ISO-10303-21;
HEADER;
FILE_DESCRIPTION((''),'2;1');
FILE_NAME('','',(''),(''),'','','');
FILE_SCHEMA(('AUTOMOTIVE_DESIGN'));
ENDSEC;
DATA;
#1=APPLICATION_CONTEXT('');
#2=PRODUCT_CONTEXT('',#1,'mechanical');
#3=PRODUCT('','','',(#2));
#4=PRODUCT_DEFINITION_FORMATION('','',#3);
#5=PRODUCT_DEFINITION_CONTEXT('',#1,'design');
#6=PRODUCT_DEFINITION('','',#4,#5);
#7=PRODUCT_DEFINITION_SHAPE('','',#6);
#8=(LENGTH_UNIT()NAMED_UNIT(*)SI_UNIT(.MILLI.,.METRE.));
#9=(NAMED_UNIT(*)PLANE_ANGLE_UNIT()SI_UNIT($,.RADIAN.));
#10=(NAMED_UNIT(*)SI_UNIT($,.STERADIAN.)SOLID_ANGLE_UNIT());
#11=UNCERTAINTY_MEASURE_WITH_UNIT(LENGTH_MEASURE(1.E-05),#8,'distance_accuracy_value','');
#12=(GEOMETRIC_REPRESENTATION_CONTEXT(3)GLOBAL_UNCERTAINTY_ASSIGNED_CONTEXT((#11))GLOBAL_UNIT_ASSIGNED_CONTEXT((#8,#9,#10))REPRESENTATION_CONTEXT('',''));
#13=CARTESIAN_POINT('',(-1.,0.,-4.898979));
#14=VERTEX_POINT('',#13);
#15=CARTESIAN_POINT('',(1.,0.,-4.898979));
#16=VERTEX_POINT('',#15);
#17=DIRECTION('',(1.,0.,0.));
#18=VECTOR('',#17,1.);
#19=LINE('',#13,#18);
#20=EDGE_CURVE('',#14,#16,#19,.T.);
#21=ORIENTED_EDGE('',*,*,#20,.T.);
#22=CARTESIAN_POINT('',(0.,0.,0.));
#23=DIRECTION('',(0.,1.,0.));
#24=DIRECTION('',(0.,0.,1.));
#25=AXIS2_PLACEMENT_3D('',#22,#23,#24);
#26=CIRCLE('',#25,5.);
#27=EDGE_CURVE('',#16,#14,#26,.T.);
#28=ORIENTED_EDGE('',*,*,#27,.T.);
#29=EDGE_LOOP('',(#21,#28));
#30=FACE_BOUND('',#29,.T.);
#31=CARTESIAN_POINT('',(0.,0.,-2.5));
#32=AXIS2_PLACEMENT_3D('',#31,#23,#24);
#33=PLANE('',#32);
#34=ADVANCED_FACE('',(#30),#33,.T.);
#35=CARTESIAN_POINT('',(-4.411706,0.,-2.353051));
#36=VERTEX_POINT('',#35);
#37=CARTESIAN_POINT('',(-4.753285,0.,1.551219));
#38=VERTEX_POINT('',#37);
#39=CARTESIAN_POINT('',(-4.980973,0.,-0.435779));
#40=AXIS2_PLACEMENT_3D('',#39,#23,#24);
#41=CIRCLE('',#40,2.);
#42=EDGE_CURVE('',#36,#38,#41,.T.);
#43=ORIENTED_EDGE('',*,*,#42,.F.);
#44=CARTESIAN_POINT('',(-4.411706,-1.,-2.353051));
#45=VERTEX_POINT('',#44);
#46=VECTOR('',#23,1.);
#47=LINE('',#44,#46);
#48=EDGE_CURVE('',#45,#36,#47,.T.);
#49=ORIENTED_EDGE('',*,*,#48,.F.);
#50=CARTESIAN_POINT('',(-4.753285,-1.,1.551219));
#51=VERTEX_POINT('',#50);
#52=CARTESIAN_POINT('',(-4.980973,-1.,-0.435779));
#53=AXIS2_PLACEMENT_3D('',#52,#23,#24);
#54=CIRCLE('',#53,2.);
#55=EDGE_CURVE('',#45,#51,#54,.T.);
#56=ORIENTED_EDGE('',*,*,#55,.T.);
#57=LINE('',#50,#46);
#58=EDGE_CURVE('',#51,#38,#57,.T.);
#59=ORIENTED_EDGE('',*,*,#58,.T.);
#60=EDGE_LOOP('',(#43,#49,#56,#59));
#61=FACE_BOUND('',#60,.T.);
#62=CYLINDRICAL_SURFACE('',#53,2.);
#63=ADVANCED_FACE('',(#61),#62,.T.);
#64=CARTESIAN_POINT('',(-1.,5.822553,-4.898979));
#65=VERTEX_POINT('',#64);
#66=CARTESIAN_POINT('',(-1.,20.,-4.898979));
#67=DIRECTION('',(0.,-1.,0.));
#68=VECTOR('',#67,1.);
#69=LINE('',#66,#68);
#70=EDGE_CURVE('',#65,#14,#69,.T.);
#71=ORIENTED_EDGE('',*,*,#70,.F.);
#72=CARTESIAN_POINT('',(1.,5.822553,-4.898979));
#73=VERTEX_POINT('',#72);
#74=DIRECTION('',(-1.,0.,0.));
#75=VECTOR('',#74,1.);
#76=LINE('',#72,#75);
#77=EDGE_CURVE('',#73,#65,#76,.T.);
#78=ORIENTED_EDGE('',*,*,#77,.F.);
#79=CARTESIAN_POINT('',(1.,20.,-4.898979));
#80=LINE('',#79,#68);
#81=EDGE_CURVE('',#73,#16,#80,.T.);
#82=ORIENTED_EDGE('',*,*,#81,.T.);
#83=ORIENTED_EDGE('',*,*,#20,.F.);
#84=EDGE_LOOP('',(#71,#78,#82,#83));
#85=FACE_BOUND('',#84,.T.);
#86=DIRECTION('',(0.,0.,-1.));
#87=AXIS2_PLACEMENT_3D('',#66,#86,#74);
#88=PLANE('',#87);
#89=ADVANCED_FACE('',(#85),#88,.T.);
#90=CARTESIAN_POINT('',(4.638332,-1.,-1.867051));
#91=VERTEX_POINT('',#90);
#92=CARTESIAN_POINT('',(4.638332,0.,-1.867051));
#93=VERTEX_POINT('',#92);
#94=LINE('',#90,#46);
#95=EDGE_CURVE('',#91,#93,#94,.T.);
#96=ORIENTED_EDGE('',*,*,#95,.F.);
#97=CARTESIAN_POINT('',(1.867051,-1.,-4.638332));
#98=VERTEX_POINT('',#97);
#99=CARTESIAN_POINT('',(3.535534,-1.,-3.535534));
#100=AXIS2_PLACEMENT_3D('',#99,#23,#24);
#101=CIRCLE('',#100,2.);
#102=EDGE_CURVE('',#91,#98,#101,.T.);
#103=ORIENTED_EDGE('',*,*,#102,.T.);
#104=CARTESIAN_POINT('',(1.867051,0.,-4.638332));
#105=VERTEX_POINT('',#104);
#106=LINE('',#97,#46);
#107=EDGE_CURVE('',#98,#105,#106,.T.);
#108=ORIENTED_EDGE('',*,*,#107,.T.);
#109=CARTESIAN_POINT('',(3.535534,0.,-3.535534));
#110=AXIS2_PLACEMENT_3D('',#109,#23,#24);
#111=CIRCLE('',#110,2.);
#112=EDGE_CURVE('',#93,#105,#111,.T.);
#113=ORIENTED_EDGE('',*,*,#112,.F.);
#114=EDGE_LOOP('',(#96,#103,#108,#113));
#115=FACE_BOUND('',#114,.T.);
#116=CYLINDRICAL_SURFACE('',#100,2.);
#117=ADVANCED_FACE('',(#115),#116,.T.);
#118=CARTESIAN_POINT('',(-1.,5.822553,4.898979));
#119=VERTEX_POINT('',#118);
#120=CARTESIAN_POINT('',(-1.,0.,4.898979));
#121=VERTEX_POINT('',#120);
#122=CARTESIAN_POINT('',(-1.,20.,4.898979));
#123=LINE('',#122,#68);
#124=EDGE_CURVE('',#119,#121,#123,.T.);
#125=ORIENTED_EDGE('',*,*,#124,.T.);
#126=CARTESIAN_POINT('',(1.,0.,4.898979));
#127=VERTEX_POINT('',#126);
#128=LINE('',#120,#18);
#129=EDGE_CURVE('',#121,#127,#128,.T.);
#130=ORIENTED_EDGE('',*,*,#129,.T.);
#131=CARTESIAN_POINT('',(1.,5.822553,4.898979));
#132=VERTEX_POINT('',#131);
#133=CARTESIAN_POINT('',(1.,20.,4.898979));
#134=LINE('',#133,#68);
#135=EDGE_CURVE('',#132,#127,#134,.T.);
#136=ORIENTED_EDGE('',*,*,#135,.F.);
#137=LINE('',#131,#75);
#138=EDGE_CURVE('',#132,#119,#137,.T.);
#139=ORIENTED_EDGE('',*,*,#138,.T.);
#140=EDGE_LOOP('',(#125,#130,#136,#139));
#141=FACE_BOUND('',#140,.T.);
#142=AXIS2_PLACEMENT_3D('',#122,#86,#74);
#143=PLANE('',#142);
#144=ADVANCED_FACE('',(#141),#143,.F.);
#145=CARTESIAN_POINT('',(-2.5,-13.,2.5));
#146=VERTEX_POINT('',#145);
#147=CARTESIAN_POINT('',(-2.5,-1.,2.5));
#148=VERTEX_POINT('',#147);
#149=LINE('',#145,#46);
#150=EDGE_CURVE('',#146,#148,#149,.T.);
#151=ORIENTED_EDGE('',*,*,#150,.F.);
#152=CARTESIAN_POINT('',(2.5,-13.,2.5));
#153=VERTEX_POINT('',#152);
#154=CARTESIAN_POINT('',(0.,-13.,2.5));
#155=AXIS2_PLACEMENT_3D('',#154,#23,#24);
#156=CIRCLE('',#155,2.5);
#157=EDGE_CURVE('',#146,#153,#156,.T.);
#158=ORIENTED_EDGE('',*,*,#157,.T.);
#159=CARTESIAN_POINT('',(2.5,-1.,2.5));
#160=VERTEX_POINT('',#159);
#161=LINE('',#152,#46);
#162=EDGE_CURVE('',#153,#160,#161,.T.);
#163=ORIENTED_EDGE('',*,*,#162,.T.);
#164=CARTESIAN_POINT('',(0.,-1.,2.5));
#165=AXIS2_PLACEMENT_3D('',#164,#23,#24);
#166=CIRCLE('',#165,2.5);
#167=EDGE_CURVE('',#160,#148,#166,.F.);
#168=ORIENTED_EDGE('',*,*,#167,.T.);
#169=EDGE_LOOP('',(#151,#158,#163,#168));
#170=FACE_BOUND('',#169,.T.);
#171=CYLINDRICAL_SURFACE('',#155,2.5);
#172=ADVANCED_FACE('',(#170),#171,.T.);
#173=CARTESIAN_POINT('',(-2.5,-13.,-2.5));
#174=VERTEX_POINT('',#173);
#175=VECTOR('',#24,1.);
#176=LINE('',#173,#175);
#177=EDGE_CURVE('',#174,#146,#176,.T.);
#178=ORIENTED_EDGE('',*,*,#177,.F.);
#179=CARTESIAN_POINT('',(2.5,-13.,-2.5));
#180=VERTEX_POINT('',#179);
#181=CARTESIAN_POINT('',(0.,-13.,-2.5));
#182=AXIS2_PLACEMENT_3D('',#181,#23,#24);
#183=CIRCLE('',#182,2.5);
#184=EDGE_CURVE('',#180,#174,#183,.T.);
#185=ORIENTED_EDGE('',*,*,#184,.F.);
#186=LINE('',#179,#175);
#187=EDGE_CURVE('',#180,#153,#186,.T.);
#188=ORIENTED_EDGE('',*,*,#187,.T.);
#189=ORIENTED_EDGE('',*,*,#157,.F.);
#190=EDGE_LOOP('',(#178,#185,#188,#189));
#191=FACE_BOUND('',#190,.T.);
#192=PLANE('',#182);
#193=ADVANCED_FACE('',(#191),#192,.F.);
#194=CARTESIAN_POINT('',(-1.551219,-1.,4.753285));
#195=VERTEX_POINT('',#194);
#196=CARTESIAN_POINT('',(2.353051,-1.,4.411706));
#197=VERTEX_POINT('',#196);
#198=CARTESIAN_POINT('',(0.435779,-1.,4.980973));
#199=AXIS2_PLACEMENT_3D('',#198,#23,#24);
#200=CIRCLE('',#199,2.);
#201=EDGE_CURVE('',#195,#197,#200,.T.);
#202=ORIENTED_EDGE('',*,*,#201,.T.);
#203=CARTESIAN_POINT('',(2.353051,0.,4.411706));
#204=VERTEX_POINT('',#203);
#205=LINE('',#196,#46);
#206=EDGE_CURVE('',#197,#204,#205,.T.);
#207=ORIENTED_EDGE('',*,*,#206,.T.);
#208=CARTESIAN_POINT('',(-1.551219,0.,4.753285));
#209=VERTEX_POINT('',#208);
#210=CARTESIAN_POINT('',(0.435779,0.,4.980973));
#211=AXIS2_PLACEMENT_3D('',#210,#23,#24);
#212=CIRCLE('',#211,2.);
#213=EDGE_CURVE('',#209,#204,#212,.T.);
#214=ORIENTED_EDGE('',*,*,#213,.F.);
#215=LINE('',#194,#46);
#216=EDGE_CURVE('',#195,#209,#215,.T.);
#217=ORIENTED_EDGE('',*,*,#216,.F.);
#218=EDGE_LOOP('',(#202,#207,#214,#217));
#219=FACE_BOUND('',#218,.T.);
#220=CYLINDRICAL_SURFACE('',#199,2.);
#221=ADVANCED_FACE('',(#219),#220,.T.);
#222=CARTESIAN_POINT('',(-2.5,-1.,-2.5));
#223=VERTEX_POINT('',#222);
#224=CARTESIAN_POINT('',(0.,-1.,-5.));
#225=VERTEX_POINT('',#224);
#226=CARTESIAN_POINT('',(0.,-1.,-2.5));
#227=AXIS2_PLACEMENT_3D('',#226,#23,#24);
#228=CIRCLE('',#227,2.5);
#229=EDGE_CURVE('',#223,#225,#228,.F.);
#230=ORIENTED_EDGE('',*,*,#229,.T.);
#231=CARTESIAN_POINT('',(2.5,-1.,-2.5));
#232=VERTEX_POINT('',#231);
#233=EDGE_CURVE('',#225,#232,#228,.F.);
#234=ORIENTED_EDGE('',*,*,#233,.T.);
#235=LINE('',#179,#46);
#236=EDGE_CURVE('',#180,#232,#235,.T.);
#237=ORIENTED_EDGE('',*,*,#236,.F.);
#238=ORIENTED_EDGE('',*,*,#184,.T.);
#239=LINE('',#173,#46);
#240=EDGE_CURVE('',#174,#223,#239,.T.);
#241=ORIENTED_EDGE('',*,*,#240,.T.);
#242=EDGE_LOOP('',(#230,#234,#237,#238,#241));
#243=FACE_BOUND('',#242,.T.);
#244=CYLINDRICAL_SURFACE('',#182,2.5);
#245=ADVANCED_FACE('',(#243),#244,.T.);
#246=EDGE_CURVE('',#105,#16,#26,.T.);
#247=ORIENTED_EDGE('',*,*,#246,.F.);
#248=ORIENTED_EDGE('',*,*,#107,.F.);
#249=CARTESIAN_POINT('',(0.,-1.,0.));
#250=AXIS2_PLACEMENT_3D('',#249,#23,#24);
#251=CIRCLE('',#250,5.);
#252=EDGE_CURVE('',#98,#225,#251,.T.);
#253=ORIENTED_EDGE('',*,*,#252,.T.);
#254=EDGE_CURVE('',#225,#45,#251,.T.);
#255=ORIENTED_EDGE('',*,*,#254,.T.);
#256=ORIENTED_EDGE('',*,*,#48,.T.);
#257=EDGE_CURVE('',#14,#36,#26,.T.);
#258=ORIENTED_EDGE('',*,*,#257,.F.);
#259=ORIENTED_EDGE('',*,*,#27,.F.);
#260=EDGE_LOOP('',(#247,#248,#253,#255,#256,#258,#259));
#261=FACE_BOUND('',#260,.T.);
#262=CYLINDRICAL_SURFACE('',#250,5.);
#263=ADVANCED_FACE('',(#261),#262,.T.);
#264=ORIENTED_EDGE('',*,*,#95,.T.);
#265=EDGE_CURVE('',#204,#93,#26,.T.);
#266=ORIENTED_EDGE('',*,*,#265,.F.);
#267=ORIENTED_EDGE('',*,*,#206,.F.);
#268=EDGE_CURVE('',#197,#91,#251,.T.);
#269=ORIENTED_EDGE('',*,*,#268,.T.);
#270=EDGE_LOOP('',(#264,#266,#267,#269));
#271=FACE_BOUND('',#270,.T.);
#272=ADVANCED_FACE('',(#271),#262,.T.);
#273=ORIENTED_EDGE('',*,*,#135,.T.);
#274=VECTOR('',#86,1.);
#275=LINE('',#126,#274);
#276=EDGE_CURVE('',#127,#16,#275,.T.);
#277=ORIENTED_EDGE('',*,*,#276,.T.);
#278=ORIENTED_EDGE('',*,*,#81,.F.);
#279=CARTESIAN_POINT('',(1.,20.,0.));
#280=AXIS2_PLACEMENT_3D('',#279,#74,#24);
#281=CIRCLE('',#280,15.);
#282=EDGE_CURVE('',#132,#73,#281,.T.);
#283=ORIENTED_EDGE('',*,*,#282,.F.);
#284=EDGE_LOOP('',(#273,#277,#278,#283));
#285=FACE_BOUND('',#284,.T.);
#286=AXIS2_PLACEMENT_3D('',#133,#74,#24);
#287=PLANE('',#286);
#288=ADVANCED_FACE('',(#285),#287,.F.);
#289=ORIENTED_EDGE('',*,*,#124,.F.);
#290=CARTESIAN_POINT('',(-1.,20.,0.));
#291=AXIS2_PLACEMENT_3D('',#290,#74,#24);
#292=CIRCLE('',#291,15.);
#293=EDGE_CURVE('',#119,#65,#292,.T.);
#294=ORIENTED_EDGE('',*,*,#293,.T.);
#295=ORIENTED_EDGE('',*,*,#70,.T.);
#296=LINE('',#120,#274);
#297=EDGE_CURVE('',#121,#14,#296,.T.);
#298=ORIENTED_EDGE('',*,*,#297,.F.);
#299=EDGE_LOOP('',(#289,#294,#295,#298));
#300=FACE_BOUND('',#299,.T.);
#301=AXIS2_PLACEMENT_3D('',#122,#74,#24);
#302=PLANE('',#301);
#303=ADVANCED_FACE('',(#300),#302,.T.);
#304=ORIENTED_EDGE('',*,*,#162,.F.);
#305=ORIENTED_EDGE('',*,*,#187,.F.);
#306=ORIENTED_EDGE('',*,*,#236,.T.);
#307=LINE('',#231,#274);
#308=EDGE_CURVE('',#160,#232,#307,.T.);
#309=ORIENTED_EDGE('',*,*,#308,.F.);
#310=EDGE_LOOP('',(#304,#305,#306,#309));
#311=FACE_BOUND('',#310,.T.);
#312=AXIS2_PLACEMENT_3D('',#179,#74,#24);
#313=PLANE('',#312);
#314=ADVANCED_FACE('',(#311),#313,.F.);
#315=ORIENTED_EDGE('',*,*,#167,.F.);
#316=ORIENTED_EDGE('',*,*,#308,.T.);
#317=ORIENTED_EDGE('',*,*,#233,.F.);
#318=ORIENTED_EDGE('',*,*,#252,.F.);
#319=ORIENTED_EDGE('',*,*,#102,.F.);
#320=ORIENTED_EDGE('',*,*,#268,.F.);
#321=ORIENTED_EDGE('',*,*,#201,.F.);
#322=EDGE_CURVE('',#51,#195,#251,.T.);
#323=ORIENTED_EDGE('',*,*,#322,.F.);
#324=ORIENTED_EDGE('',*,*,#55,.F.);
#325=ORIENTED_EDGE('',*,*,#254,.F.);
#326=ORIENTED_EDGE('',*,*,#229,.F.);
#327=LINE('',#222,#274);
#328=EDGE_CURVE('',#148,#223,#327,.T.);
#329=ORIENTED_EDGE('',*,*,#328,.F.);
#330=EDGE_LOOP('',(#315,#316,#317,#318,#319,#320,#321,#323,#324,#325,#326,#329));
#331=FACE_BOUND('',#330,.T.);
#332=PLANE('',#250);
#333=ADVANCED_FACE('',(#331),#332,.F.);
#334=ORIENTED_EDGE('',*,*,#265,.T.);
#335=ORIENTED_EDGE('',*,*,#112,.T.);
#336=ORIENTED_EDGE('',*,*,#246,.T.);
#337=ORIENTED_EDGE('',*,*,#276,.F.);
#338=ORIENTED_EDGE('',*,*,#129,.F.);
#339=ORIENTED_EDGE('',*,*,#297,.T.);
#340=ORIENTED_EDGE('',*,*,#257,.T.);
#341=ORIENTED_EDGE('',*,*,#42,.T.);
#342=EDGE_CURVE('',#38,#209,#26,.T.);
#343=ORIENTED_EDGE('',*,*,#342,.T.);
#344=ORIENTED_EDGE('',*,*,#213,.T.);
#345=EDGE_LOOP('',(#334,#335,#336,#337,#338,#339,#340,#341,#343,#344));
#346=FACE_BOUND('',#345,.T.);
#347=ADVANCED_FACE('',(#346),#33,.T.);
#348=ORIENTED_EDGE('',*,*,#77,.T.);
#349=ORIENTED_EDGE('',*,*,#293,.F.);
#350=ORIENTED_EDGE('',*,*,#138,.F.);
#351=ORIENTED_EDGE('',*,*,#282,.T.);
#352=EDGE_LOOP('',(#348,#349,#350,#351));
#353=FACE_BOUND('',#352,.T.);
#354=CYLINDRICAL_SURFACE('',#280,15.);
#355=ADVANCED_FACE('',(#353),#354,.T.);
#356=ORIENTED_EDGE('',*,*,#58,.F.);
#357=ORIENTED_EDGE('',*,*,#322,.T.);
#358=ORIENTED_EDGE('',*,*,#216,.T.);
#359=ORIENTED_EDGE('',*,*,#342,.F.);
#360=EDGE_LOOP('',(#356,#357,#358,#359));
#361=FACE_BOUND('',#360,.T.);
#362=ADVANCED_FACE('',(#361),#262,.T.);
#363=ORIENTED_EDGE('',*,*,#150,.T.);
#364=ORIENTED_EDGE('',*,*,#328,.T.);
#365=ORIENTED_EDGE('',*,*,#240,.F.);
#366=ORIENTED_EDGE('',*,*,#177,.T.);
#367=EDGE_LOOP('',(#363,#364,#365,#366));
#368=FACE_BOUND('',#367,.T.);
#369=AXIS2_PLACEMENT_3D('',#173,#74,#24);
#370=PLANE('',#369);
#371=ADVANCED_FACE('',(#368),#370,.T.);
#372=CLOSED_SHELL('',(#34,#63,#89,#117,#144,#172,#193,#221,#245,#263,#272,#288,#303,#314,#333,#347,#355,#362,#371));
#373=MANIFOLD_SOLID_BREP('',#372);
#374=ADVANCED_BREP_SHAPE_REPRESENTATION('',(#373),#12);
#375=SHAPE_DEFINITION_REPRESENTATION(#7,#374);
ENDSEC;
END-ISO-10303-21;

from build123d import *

# Parameters (mm, degrees)
BOSS_EXTRUDE1_DEPTH = 13
BOSS_EXTRUDE2_DEPTH = 1
SKETCH1_5_W         = 2
SKETCH1_5_H         = 9.797958972
BOSS_EXTRUDE3_DEPTH = 20
SKETCH2_R           = 15
BOSS_EXTRUDE4_DEPTH = 2


with BuildPart() as part:
    # Sketch1 → Boss-Extrude1 (new body)
    with BuildSketch(Plane(origin=(0, 0, 0), x_dir=(1, 0, 0), z_dir=(0, 1, 0))):
        with BuildLine():
            Line((2.5, 2.5), (2.5, -2.5))
            ThreePointArc((2.5, -2.5), (0, -5), (-2.5, -2.5))
            Line((-2.5, -2.5), (-2.5, 2.5))
            ThreePointArc((-2.5, 2.5), (0, 5), (2.5, 2.5))
        make_face()
    extrude(amount=-BOSS_EXTRUDE1_DEPTH)

    # Sketch1<3> → Boss-Extrude2 (add)
    with BuildSketch(Plane(origin=(0, 0, 0), x_dir=(1, 0, 0), z_dir=(0, 1, 0))):
        with BuildLine():
            ThreePointArc((1.867050547, 4.63833184), (-1.710100717, 4.698463104), (-4.411705933, 2.353051372))
            ThreePointArc((-4.411705933, 2.353051372), (-6.973362887, 0.610090199), (-4.75328529, -1.551218539))
            ThreePointArc((-4.75328529, -1.551218539), (-3.535533906, -3.535533906), (-1.551218539, -4.75328529))
            ThreePointArc((-1.551218539, -4.75328529), (0.610090199, -6.973362887), (2.353051372, -4.411705933))
            ThreePointArc((2.353051372, -4.411705933), (4.698463104, -1.710100717), (4.63833184, 1.867050547))
            ThreePointArc((4.63833184, 1.867050547), (4.949747468, 4.949747468), (1.867050547, 4.63833184))
        make_face()
    extrude(amount=-BOSS_EXTRUDE2_DEPTH)

    # Sketch1<5> → Boss-Extrude3 (add)
    with BuildSketch(Plane(origin=(0, 0, 0), x_dir=(1, 0, 0), z_dir=(0, 1, 0))):
        Rectangle(SKETCH1_5_W, SKETCH1_5_H)
    extrude(amount=BOSS_EXTRUDE3_DEPTH)

    # Sketch2 → Boss-Extrude4 (add)
    with BuildSketch(Plane.ZY.offset(1)):
        with Locations((0, 20)):
            Circle(SKETCH2_R)
    extrude(amount=-BOSS_EXTRUDE4_DEPTH)


solid = part.part
